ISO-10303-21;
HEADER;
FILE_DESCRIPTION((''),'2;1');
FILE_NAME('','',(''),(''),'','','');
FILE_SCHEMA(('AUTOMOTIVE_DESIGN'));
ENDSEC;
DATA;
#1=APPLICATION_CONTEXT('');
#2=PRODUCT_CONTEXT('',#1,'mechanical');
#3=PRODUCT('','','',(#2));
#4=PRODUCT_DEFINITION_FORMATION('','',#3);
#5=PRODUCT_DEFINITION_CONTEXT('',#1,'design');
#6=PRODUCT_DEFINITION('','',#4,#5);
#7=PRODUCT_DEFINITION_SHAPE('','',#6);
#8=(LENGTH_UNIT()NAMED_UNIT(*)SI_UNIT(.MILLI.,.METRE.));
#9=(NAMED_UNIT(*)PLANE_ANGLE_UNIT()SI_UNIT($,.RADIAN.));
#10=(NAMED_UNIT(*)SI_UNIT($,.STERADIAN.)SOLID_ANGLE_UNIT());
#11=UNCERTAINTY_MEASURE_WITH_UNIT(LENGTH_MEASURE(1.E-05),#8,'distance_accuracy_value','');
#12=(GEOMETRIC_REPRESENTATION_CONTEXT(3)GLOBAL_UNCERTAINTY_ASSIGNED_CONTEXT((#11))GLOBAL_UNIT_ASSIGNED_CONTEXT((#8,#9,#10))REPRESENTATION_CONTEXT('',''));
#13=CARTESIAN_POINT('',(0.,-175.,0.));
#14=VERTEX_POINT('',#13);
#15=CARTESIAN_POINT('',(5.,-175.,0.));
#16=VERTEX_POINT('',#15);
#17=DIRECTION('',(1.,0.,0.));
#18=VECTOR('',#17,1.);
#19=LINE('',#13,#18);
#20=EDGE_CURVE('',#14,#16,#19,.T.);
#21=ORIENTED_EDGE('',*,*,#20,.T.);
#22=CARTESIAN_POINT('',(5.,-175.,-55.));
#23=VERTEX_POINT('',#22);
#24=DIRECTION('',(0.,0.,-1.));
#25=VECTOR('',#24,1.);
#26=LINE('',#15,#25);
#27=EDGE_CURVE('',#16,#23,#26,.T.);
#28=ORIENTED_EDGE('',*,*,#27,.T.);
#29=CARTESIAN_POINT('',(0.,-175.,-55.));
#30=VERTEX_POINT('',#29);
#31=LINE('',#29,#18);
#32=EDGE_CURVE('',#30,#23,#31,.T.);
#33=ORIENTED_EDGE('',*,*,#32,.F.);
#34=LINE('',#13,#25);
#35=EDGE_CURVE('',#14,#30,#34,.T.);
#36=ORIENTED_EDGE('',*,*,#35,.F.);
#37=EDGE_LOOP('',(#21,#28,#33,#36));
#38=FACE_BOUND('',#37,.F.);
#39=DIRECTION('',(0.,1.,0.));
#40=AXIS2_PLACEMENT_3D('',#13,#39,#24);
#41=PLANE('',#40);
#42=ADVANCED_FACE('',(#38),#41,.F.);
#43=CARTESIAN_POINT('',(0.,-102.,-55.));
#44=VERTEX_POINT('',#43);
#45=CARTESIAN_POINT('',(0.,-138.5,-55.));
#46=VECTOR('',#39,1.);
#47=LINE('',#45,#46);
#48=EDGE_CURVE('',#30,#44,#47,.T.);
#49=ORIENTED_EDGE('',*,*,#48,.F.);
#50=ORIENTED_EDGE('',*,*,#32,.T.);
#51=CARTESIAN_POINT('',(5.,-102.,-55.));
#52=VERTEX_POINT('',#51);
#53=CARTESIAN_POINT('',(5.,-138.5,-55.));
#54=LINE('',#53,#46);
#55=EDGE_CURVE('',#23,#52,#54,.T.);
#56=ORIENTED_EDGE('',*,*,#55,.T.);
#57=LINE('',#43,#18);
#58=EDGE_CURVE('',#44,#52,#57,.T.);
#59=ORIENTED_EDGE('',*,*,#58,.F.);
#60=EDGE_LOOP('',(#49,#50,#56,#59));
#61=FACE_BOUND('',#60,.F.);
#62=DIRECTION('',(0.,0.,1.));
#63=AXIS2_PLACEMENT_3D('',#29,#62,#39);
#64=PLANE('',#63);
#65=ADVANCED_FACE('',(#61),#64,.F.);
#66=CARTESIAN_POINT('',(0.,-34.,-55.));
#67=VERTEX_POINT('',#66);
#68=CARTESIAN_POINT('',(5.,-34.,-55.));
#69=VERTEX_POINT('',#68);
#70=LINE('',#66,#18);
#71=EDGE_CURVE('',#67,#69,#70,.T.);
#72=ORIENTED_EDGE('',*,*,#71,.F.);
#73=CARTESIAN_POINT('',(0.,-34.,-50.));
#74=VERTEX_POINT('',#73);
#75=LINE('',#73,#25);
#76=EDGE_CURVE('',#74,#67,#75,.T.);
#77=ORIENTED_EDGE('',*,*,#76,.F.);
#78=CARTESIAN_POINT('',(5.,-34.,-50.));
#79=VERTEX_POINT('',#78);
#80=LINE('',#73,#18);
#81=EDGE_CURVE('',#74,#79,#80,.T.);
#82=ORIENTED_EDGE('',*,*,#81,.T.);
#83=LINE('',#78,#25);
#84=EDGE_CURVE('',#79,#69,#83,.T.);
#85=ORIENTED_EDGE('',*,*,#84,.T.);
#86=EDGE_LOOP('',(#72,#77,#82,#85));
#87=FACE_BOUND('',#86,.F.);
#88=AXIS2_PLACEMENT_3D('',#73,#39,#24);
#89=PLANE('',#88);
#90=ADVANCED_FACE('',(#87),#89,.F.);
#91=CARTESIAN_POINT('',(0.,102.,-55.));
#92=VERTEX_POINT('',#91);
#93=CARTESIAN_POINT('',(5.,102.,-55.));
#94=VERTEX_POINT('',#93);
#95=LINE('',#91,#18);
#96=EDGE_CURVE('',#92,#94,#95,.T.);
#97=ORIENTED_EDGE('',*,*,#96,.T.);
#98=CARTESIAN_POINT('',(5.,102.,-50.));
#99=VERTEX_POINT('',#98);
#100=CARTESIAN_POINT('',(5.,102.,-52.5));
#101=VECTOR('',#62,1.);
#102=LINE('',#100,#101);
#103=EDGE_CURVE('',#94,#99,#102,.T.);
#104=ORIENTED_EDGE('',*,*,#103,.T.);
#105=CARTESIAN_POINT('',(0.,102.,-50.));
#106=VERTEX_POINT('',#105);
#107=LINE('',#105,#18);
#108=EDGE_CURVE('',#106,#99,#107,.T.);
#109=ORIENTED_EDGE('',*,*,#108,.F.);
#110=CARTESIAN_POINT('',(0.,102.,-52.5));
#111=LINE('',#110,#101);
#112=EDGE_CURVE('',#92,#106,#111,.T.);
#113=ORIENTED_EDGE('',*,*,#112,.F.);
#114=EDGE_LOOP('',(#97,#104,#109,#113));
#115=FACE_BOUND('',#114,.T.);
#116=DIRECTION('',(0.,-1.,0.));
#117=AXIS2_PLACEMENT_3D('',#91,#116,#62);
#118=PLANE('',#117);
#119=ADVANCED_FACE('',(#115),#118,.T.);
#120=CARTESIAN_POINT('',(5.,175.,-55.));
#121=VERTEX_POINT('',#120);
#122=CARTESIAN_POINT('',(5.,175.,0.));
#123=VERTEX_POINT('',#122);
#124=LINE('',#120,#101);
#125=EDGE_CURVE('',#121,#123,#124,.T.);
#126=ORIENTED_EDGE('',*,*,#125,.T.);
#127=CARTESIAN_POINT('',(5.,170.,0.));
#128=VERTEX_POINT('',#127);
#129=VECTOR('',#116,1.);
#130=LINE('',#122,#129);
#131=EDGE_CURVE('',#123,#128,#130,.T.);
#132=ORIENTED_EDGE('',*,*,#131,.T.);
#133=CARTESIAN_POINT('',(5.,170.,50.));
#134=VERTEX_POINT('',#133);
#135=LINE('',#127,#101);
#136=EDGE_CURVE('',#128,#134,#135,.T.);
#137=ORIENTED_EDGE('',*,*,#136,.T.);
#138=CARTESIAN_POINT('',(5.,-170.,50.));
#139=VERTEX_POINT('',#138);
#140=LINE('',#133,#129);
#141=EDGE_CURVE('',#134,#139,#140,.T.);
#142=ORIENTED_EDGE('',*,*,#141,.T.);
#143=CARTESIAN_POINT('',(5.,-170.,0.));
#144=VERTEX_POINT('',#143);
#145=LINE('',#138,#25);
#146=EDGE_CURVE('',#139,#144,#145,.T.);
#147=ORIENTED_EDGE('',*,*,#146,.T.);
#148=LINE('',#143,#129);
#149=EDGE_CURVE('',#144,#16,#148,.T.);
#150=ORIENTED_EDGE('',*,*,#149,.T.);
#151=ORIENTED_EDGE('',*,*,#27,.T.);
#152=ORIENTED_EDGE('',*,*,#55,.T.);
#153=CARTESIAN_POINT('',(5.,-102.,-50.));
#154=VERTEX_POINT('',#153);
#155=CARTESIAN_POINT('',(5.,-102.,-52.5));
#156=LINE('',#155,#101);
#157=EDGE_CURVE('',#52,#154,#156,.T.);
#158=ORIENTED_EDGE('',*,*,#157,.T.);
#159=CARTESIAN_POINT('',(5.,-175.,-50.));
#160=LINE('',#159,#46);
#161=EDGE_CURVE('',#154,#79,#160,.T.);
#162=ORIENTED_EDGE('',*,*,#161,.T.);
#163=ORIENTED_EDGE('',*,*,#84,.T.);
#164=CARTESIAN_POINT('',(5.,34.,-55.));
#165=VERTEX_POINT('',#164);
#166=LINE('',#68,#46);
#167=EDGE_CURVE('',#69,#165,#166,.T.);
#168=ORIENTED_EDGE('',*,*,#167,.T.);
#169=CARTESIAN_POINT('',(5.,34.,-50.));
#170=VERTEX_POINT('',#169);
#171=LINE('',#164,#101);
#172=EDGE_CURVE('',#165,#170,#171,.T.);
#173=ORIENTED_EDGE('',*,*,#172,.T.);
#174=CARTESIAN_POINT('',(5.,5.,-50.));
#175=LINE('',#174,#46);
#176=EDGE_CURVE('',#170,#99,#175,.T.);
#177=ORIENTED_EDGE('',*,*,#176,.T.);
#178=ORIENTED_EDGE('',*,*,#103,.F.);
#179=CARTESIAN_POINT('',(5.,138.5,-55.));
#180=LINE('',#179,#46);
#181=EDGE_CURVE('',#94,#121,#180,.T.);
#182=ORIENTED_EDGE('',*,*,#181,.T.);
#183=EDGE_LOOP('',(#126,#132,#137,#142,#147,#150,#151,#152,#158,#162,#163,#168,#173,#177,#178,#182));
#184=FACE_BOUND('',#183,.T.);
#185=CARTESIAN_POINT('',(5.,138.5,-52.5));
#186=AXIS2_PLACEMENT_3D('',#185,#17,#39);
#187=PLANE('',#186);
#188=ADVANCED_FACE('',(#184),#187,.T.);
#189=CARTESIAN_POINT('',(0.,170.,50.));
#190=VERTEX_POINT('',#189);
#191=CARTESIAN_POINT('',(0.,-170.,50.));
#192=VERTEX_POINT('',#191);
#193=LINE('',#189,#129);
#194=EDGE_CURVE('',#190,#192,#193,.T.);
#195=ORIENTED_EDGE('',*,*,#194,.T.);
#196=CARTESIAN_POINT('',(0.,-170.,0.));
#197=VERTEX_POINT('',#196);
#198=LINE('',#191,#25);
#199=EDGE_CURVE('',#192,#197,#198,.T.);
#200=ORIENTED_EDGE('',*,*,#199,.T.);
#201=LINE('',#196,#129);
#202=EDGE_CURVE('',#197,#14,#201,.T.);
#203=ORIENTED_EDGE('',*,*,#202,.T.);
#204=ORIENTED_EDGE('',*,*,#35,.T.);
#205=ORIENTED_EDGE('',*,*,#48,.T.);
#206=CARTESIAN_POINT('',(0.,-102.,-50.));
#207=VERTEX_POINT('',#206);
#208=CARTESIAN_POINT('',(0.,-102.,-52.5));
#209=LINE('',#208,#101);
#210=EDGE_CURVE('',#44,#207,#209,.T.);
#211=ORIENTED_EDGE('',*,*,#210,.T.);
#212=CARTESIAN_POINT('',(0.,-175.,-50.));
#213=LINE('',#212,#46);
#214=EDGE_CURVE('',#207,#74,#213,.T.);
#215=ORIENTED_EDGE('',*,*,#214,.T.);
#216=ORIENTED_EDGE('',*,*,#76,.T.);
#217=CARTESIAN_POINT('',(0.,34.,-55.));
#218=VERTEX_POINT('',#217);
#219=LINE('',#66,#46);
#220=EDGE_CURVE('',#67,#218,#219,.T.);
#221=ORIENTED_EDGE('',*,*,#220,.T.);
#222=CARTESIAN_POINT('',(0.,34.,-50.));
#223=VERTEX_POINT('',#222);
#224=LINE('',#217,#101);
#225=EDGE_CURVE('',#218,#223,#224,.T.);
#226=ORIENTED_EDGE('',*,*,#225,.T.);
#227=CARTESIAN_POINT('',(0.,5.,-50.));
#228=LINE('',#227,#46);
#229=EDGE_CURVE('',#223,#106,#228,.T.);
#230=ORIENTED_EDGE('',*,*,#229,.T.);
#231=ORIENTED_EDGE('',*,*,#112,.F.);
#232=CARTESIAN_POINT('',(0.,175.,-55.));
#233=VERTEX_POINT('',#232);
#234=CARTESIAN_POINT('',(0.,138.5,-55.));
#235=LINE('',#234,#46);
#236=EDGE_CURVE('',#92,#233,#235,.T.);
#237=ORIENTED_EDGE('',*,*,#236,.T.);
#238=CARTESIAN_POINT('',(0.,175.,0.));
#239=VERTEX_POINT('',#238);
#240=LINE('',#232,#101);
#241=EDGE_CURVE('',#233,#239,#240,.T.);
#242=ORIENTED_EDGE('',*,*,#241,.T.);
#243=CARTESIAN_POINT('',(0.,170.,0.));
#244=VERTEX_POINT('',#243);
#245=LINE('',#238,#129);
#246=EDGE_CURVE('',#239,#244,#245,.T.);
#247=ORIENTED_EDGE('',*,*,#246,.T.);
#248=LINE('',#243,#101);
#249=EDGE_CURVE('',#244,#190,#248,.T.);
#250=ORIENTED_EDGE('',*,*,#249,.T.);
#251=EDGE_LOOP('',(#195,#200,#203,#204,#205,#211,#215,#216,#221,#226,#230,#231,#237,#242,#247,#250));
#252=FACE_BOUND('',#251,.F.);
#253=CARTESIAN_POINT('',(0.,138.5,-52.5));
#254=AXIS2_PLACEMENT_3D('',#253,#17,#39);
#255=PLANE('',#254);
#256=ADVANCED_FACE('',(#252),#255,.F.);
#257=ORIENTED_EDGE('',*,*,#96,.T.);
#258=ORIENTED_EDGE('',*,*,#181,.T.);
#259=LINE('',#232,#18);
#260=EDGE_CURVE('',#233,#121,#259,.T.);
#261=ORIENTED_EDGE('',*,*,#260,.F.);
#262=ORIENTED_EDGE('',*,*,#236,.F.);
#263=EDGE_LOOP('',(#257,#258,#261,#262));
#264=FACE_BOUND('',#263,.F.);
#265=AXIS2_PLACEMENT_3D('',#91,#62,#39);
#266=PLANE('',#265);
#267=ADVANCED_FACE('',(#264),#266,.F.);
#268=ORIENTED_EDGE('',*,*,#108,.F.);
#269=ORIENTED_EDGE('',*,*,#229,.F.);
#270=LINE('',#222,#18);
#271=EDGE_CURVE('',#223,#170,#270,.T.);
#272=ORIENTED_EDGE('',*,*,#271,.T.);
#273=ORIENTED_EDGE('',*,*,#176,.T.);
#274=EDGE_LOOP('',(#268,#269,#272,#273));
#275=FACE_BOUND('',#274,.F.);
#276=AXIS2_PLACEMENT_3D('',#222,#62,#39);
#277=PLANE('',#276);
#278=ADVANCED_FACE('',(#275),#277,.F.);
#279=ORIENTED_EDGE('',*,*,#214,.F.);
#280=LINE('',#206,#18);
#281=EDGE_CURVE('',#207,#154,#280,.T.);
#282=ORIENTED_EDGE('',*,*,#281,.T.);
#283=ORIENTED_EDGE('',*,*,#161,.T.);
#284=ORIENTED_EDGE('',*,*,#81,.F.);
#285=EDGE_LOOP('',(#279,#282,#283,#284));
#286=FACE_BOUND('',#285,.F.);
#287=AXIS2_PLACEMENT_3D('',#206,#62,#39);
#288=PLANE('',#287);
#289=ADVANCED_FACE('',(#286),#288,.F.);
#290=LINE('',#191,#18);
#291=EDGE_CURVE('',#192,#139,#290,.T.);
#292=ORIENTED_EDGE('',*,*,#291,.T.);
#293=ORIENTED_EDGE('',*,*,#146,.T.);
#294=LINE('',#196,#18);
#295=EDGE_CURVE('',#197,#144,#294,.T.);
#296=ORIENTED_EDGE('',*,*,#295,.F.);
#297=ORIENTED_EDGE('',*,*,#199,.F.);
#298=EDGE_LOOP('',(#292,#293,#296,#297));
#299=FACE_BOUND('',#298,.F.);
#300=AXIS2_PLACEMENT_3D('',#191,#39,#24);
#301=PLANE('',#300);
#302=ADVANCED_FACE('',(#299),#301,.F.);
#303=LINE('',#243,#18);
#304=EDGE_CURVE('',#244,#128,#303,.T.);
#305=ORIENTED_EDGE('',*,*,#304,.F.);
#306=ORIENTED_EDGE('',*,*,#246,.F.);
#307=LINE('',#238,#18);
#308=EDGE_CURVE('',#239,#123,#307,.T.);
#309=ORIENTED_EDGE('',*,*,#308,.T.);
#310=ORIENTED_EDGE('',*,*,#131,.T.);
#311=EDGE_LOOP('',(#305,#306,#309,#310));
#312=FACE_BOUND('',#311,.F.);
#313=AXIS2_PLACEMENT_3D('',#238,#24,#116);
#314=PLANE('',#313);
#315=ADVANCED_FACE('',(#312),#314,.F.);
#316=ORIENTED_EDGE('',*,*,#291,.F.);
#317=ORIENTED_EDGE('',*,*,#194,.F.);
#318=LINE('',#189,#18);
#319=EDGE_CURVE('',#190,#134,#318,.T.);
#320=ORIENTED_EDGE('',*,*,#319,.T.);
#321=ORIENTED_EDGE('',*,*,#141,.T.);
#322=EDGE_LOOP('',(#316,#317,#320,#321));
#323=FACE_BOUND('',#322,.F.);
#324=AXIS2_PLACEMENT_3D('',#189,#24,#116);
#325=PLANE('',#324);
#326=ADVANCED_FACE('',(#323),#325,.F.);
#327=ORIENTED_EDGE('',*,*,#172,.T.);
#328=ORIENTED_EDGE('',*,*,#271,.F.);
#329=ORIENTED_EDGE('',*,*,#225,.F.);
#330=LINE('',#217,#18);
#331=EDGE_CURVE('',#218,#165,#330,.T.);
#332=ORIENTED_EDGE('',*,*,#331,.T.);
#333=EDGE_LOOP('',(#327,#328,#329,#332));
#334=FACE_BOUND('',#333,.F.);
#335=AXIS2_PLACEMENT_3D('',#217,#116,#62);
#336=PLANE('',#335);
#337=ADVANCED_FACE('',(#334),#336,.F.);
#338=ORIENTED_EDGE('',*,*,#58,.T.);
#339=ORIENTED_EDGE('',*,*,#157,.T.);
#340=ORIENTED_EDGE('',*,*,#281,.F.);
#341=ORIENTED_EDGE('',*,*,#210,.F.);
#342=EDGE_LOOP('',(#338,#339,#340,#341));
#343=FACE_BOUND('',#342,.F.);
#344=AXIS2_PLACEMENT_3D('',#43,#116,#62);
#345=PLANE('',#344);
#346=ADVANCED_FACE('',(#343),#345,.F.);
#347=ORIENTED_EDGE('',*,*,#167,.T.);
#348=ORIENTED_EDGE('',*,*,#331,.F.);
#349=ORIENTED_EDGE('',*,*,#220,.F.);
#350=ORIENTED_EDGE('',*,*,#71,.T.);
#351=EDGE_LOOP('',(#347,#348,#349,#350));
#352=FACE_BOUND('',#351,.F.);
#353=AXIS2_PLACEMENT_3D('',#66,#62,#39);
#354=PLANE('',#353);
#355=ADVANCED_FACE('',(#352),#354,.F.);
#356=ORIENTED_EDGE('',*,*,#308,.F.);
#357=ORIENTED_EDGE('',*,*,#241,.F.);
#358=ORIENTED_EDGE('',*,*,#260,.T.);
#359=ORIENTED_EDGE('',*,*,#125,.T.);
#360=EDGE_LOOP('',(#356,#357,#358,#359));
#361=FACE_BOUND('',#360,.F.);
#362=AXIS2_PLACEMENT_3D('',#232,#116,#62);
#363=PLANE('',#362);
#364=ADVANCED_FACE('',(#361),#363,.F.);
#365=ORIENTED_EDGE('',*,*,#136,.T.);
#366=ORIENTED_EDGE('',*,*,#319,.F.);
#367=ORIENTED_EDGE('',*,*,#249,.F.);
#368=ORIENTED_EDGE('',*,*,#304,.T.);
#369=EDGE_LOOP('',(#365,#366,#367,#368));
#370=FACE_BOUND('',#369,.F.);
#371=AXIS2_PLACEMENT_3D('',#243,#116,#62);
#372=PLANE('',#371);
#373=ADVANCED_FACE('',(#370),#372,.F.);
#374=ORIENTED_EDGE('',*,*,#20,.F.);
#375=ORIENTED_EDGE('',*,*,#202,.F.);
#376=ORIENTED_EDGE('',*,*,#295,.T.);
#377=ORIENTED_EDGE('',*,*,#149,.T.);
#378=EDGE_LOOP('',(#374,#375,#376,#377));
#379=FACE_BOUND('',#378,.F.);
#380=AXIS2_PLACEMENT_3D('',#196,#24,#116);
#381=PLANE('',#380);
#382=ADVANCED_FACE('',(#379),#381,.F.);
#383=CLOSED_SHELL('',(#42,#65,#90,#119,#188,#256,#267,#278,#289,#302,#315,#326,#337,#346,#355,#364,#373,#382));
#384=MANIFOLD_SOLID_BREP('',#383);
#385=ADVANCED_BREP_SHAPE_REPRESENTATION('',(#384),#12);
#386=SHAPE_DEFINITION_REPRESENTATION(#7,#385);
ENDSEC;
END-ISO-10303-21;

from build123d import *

# Parameters (mm, degrees)
F0_W     = 73
F0_H     = 5
F0_W_2   = 5
F0_H_2   = 100
F1_DEPTH = 5


with BuildPart() as f1:
    # F0 (on Right) → F1 (new body)
    with BuildSketch(Plane.YZ):
        with Locations((138.5, -52.5)):
            Rectangle(F0_W, F0_H)
        Polygon((102, -50), (175, -50), (175, 0), (170, 0), (170, 50), (5, 50), (5, -50), (34, -50), align=None)
        Polygon((34, -55), (34, -50), (5, -50), (0, -50), (0, -55), align=None)
        with Locations((2.5, 0)):
            Rectangle(F0_W_2, F0_H_2)
        Polygon((0, -55), (0, -50), (-5, -50), (-34, -50), (-34, -55), align=None)
        with Locations((-2.5, 0)):
            Rectangle(F0_W_2, F0_H_2)
        Polygon((-34, -50), (-5, -50), (-5, 50), (-170, 50), (-170, 0), (-175, 0), (-175, -50), (-102, -50), align=None)
        with Locations((-138.5, -52.5)):
            Rectangle(F0_W, F0_H)
    extrude(amount=F1_DEPTH)


solid = f1.part
